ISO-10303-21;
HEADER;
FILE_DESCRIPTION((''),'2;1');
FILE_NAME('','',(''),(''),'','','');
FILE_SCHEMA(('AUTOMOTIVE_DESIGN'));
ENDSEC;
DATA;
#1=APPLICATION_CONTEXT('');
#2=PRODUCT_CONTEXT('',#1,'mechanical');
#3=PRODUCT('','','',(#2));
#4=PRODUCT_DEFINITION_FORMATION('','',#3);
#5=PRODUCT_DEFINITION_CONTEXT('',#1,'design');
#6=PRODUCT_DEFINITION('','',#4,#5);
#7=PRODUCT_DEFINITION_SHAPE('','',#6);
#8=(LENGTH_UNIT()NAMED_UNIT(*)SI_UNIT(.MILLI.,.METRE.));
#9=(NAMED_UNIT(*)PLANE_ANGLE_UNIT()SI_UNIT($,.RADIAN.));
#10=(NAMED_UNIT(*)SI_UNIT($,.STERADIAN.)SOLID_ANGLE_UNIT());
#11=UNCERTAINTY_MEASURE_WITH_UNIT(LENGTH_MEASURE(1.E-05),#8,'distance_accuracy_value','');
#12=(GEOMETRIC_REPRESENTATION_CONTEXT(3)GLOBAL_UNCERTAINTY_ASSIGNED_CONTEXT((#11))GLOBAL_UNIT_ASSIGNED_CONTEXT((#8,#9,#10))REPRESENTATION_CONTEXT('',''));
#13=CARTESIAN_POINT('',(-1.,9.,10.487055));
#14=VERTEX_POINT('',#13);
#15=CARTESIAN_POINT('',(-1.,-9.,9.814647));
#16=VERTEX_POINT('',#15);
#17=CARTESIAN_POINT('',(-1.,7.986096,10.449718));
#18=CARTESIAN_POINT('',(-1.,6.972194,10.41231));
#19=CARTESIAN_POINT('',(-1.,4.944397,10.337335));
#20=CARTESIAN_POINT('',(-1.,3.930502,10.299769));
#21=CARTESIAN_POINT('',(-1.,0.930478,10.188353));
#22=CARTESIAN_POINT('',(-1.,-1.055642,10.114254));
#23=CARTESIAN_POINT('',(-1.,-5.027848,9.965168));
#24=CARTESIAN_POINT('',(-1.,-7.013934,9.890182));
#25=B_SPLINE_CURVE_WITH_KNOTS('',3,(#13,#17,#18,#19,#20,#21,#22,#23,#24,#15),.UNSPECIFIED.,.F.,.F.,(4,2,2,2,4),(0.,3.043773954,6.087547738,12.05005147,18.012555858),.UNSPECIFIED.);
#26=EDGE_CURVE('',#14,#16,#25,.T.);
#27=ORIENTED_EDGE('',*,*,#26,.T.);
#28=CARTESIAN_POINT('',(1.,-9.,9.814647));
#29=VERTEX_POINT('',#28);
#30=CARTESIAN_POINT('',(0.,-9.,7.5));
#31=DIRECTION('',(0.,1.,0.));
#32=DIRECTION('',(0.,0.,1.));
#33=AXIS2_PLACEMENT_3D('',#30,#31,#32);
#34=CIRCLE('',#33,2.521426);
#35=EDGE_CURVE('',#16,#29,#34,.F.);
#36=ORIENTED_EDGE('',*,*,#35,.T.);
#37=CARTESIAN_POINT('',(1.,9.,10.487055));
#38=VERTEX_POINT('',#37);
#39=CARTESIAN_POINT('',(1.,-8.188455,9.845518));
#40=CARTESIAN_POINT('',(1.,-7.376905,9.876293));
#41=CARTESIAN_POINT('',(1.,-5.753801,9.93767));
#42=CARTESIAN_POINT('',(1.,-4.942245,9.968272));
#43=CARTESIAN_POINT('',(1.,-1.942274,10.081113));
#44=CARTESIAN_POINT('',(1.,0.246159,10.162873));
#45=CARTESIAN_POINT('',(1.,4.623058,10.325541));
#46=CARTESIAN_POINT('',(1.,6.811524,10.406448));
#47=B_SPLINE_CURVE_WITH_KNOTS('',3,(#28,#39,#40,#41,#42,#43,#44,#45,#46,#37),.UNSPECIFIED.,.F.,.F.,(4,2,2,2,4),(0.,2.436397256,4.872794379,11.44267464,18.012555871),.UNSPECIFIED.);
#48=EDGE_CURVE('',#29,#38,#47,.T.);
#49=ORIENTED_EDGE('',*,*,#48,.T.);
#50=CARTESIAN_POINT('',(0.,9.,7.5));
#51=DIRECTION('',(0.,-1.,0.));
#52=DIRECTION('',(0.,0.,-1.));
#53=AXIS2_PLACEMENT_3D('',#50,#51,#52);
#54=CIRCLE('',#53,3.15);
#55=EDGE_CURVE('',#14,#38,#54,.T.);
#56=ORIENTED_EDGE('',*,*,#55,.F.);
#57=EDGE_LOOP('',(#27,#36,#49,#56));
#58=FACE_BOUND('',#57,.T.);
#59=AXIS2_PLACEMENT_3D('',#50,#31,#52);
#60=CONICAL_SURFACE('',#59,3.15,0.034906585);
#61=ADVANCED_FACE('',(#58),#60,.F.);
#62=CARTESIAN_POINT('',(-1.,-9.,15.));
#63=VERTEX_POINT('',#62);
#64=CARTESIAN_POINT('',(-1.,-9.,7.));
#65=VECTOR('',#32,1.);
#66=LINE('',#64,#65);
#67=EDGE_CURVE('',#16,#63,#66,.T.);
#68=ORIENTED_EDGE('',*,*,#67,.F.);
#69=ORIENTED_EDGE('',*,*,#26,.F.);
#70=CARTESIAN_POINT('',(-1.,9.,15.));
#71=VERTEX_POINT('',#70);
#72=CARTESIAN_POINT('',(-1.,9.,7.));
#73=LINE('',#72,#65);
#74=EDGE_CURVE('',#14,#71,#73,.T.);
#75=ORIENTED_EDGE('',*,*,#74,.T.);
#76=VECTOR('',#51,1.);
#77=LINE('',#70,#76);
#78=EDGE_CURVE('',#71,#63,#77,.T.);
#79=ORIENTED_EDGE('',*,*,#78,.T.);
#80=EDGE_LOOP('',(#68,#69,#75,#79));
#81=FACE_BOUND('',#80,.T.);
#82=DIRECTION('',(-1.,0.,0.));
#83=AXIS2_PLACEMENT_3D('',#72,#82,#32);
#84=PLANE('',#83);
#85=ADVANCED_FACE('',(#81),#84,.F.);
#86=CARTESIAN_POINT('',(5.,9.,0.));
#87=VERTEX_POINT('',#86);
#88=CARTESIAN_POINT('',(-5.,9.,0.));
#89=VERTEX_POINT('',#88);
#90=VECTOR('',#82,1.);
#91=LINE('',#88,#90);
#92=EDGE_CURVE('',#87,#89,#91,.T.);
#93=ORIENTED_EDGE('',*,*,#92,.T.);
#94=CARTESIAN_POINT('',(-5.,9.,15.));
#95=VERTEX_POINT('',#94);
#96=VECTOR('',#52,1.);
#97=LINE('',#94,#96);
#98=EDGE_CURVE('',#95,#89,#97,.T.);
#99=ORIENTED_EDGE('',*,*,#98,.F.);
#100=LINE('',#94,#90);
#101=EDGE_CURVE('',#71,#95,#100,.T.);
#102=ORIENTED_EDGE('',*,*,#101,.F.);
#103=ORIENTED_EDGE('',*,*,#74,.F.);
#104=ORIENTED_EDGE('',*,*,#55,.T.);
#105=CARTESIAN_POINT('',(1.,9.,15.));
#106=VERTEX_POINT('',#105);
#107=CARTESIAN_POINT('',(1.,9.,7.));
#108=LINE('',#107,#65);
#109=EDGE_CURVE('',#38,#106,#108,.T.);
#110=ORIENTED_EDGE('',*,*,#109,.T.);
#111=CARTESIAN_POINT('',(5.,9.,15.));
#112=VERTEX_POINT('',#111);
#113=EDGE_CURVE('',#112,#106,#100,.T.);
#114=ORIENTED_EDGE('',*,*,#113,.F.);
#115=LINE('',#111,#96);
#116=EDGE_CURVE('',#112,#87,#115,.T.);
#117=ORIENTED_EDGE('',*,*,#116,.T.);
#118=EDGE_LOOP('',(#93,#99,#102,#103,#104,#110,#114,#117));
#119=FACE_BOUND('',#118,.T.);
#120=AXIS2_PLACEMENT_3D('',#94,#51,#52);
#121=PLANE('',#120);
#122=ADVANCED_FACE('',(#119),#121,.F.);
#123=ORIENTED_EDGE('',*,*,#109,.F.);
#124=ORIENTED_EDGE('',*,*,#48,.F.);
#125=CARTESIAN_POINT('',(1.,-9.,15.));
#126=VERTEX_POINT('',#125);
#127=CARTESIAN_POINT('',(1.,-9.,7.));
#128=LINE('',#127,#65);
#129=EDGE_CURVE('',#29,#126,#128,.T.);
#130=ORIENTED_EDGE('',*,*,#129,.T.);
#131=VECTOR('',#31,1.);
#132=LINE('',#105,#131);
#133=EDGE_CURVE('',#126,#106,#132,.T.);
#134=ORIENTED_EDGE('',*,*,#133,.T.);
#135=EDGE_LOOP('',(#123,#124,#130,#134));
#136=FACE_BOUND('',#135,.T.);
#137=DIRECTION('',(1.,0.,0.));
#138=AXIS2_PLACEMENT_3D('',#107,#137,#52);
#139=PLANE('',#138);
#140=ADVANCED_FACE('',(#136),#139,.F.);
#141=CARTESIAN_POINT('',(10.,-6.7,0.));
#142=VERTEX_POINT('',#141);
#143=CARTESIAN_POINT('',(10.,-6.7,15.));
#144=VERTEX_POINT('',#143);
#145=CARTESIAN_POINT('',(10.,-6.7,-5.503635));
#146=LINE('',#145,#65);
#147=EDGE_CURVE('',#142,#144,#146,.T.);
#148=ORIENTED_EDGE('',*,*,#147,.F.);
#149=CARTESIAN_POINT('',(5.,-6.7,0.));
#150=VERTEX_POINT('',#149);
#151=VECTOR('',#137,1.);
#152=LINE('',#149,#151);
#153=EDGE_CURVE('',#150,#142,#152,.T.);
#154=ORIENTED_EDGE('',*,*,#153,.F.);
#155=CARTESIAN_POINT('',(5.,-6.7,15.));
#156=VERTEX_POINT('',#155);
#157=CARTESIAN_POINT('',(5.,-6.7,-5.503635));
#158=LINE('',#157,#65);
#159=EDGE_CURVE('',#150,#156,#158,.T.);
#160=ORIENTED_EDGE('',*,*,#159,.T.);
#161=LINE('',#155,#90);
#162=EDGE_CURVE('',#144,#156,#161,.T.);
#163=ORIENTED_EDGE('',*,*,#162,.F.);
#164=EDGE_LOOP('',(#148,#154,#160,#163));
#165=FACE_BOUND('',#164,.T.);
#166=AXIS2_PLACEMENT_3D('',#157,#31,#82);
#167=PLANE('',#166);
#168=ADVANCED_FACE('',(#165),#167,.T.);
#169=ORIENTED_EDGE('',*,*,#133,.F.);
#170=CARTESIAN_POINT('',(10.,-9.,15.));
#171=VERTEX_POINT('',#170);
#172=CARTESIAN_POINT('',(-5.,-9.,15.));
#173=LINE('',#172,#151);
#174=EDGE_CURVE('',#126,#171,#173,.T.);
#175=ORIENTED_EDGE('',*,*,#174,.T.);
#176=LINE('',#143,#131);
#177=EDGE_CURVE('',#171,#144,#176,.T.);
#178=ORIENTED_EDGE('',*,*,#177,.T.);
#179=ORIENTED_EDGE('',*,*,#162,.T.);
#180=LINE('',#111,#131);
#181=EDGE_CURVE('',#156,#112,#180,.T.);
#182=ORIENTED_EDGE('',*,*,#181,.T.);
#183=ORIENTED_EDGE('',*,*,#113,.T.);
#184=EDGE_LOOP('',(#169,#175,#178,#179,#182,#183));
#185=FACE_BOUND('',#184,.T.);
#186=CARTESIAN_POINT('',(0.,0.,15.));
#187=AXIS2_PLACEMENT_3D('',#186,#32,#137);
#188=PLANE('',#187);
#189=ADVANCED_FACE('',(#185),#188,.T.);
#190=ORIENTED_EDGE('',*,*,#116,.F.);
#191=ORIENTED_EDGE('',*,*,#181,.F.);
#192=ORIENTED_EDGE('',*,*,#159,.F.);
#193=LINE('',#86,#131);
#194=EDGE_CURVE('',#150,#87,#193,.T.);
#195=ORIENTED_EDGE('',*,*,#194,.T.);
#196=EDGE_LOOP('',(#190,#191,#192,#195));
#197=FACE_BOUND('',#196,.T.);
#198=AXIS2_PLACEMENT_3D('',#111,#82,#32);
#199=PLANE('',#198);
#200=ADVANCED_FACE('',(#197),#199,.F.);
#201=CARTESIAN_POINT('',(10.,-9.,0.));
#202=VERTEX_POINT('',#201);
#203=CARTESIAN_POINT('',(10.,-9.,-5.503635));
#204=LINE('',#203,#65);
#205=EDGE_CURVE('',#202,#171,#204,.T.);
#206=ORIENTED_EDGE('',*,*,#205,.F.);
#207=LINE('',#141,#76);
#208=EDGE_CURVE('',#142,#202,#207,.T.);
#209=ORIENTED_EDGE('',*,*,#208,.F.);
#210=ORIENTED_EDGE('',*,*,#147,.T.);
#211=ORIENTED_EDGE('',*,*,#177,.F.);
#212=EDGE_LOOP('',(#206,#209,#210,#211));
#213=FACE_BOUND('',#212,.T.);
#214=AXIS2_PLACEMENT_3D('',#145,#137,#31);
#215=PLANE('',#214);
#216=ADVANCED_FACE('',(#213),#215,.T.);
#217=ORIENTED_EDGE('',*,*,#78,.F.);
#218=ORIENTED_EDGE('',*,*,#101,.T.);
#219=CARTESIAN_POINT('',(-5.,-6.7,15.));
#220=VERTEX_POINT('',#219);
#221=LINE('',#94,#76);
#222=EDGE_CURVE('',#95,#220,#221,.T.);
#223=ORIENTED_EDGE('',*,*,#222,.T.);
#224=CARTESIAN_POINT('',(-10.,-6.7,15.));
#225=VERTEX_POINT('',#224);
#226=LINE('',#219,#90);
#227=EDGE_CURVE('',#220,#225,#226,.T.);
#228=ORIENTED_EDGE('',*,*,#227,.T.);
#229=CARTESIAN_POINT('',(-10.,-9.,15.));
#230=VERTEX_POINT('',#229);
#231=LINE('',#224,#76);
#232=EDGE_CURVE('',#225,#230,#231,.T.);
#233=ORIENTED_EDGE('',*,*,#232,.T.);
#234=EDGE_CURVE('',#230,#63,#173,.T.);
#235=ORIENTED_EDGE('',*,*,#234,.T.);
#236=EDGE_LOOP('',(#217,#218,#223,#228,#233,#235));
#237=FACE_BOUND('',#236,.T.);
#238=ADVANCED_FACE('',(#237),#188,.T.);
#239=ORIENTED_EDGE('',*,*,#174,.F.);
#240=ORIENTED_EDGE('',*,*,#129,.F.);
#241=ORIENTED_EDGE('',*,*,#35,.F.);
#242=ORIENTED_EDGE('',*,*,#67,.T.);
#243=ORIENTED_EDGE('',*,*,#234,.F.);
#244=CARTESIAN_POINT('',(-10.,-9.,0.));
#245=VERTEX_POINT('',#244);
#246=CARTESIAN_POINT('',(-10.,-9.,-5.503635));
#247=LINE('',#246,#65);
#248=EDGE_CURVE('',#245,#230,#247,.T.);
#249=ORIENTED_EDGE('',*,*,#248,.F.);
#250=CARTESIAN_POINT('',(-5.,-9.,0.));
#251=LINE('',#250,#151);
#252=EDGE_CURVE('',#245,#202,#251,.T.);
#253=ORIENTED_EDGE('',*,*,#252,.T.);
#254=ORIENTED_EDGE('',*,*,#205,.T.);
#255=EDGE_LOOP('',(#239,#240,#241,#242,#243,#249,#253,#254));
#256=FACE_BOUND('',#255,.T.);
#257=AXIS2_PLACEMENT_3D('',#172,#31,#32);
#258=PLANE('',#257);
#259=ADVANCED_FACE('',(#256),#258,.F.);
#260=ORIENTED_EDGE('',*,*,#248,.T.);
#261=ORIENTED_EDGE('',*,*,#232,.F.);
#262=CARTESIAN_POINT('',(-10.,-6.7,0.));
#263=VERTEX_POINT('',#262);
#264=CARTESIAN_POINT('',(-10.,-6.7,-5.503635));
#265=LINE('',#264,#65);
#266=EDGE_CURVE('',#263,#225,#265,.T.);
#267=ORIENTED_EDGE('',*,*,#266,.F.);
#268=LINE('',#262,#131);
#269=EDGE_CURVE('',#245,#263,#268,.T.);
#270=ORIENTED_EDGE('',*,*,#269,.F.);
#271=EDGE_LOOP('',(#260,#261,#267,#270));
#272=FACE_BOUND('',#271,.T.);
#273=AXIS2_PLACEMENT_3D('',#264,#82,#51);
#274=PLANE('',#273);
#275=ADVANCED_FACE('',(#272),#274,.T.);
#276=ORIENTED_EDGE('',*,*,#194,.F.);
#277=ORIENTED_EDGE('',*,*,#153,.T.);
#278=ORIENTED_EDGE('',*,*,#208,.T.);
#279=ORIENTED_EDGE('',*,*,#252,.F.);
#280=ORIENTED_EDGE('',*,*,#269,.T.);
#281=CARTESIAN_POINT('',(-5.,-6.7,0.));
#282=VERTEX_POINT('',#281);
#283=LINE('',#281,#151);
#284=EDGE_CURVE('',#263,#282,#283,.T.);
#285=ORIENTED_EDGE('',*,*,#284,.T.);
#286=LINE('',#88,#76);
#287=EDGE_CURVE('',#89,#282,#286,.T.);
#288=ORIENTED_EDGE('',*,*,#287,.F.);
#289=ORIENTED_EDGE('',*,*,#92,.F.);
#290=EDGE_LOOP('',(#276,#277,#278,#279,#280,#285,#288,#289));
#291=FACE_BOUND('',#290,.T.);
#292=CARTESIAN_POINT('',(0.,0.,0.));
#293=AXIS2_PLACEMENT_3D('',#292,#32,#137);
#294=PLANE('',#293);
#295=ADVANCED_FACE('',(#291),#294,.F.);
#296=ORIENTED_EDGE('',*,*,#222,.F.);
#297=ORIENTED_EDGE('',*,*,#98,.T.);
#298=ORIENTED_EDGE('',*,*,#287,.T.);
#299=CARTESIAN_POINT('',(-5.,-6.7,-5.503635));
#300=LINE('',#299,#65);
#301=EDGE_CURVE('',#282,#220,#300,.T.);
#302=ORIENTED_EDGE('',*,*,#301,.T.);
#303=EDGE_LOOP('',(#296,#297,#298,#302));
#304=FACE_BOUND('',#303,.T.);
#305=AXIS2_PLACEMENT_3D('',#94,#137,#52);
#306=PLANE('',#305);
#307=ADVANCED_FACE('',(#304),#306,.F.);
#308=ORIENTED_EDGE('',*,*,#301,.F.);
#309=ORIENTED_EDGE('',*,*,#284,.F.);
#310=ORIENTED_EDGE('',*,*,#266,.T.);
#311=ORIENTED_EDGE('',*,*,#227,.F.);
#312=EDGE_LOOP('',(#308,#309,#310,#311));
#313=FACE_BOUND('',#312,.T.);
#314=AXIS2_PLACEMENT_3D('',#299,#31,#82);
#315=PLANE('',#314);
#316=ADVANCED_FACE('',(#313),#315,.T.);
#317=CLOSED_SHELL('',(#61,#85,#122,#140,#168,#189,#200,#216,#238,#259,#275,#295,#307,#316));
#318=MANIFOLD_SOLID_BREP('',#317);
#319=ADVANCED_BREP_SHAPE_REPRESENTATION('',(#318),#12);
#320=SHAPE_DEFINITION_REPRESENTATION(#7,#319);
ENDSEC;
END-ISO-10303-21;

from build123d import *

# Parameters (mm, degrees)
SKETCH1_W           = 10
SKETCH1_H           = 18
BOSS_EXTRUDE1_DEPTH = 15
SKETCH3_W           = 5
SKETCH3_H           = 2.3
BOSS_EXTRUDE2_DEPTH = 15
SKETCH4_R           = 3.15
CUT_EXTRUDE1_DEPTH  = 26.475478406
SKETCH6_W           = 2
SKETCH6_H           = 18
CUT_EXTRUDE2_DEPTH  = 8
DRAFT4_ANGLE        = 2


with BuildPart() as part:
    # Sketch1 → Boss-Extrude1 (new body)
    with BuildSketch(Plane.XY):
        Rectangle(SKETCH1_W, SKETCH1_H)
    extrude(amount=BOSS_EXTRUDE1_DEPTH)

    # Sketch3 → Boss-Extrude2 (add)
    with BuildSketch(Plane.XY.offset(15)):
        with Locations((-7.5, -7.85)):
            Rectangle(SKETCH3_W, SKETCH3_H)
        with Locations((7.5, -7.85)):
            Rectangle(SKETCH3_W, SKETCH3_H)
    extrude(amount=-BOSS_EXTRUDE2_DEPTH)

    # Sketch4 → Cut-Extrude1 (cut, through all)
    with BuildSketch(Plane.XZ.offset(9)):
        with Locations(Location((0, 7.5, 0), (0, 0, 270))):
            Circle(SKETCH4_R)
    extrude(amount=-CUT_EXTRUDE1_DEPTH, mode=Mode.SUBTRACT)

    # Sketch6 → Cut-Extrude2 (cut)
    with BuildSketch(Plane.XY.offset(15)):
        Rectangle(SKETCH6_W, SKETCH6_H)
    extrude(amount=-CUT_EXTRUDE2_DEPTH, mode=Mode.SUBTRACT)

    # Draft4
    draft4_faces = [part.faces().sort_by_distance(p)[0] for p in [
        (0, 0, 4.35),
    ]]
    draft(draft4_faces, Plane(origin=(-5, 9, 15), x_dir=(0, 0, 1), z_dir=(0, 1, 0)), DRAFT4_ANGLE)


solid = part.part
